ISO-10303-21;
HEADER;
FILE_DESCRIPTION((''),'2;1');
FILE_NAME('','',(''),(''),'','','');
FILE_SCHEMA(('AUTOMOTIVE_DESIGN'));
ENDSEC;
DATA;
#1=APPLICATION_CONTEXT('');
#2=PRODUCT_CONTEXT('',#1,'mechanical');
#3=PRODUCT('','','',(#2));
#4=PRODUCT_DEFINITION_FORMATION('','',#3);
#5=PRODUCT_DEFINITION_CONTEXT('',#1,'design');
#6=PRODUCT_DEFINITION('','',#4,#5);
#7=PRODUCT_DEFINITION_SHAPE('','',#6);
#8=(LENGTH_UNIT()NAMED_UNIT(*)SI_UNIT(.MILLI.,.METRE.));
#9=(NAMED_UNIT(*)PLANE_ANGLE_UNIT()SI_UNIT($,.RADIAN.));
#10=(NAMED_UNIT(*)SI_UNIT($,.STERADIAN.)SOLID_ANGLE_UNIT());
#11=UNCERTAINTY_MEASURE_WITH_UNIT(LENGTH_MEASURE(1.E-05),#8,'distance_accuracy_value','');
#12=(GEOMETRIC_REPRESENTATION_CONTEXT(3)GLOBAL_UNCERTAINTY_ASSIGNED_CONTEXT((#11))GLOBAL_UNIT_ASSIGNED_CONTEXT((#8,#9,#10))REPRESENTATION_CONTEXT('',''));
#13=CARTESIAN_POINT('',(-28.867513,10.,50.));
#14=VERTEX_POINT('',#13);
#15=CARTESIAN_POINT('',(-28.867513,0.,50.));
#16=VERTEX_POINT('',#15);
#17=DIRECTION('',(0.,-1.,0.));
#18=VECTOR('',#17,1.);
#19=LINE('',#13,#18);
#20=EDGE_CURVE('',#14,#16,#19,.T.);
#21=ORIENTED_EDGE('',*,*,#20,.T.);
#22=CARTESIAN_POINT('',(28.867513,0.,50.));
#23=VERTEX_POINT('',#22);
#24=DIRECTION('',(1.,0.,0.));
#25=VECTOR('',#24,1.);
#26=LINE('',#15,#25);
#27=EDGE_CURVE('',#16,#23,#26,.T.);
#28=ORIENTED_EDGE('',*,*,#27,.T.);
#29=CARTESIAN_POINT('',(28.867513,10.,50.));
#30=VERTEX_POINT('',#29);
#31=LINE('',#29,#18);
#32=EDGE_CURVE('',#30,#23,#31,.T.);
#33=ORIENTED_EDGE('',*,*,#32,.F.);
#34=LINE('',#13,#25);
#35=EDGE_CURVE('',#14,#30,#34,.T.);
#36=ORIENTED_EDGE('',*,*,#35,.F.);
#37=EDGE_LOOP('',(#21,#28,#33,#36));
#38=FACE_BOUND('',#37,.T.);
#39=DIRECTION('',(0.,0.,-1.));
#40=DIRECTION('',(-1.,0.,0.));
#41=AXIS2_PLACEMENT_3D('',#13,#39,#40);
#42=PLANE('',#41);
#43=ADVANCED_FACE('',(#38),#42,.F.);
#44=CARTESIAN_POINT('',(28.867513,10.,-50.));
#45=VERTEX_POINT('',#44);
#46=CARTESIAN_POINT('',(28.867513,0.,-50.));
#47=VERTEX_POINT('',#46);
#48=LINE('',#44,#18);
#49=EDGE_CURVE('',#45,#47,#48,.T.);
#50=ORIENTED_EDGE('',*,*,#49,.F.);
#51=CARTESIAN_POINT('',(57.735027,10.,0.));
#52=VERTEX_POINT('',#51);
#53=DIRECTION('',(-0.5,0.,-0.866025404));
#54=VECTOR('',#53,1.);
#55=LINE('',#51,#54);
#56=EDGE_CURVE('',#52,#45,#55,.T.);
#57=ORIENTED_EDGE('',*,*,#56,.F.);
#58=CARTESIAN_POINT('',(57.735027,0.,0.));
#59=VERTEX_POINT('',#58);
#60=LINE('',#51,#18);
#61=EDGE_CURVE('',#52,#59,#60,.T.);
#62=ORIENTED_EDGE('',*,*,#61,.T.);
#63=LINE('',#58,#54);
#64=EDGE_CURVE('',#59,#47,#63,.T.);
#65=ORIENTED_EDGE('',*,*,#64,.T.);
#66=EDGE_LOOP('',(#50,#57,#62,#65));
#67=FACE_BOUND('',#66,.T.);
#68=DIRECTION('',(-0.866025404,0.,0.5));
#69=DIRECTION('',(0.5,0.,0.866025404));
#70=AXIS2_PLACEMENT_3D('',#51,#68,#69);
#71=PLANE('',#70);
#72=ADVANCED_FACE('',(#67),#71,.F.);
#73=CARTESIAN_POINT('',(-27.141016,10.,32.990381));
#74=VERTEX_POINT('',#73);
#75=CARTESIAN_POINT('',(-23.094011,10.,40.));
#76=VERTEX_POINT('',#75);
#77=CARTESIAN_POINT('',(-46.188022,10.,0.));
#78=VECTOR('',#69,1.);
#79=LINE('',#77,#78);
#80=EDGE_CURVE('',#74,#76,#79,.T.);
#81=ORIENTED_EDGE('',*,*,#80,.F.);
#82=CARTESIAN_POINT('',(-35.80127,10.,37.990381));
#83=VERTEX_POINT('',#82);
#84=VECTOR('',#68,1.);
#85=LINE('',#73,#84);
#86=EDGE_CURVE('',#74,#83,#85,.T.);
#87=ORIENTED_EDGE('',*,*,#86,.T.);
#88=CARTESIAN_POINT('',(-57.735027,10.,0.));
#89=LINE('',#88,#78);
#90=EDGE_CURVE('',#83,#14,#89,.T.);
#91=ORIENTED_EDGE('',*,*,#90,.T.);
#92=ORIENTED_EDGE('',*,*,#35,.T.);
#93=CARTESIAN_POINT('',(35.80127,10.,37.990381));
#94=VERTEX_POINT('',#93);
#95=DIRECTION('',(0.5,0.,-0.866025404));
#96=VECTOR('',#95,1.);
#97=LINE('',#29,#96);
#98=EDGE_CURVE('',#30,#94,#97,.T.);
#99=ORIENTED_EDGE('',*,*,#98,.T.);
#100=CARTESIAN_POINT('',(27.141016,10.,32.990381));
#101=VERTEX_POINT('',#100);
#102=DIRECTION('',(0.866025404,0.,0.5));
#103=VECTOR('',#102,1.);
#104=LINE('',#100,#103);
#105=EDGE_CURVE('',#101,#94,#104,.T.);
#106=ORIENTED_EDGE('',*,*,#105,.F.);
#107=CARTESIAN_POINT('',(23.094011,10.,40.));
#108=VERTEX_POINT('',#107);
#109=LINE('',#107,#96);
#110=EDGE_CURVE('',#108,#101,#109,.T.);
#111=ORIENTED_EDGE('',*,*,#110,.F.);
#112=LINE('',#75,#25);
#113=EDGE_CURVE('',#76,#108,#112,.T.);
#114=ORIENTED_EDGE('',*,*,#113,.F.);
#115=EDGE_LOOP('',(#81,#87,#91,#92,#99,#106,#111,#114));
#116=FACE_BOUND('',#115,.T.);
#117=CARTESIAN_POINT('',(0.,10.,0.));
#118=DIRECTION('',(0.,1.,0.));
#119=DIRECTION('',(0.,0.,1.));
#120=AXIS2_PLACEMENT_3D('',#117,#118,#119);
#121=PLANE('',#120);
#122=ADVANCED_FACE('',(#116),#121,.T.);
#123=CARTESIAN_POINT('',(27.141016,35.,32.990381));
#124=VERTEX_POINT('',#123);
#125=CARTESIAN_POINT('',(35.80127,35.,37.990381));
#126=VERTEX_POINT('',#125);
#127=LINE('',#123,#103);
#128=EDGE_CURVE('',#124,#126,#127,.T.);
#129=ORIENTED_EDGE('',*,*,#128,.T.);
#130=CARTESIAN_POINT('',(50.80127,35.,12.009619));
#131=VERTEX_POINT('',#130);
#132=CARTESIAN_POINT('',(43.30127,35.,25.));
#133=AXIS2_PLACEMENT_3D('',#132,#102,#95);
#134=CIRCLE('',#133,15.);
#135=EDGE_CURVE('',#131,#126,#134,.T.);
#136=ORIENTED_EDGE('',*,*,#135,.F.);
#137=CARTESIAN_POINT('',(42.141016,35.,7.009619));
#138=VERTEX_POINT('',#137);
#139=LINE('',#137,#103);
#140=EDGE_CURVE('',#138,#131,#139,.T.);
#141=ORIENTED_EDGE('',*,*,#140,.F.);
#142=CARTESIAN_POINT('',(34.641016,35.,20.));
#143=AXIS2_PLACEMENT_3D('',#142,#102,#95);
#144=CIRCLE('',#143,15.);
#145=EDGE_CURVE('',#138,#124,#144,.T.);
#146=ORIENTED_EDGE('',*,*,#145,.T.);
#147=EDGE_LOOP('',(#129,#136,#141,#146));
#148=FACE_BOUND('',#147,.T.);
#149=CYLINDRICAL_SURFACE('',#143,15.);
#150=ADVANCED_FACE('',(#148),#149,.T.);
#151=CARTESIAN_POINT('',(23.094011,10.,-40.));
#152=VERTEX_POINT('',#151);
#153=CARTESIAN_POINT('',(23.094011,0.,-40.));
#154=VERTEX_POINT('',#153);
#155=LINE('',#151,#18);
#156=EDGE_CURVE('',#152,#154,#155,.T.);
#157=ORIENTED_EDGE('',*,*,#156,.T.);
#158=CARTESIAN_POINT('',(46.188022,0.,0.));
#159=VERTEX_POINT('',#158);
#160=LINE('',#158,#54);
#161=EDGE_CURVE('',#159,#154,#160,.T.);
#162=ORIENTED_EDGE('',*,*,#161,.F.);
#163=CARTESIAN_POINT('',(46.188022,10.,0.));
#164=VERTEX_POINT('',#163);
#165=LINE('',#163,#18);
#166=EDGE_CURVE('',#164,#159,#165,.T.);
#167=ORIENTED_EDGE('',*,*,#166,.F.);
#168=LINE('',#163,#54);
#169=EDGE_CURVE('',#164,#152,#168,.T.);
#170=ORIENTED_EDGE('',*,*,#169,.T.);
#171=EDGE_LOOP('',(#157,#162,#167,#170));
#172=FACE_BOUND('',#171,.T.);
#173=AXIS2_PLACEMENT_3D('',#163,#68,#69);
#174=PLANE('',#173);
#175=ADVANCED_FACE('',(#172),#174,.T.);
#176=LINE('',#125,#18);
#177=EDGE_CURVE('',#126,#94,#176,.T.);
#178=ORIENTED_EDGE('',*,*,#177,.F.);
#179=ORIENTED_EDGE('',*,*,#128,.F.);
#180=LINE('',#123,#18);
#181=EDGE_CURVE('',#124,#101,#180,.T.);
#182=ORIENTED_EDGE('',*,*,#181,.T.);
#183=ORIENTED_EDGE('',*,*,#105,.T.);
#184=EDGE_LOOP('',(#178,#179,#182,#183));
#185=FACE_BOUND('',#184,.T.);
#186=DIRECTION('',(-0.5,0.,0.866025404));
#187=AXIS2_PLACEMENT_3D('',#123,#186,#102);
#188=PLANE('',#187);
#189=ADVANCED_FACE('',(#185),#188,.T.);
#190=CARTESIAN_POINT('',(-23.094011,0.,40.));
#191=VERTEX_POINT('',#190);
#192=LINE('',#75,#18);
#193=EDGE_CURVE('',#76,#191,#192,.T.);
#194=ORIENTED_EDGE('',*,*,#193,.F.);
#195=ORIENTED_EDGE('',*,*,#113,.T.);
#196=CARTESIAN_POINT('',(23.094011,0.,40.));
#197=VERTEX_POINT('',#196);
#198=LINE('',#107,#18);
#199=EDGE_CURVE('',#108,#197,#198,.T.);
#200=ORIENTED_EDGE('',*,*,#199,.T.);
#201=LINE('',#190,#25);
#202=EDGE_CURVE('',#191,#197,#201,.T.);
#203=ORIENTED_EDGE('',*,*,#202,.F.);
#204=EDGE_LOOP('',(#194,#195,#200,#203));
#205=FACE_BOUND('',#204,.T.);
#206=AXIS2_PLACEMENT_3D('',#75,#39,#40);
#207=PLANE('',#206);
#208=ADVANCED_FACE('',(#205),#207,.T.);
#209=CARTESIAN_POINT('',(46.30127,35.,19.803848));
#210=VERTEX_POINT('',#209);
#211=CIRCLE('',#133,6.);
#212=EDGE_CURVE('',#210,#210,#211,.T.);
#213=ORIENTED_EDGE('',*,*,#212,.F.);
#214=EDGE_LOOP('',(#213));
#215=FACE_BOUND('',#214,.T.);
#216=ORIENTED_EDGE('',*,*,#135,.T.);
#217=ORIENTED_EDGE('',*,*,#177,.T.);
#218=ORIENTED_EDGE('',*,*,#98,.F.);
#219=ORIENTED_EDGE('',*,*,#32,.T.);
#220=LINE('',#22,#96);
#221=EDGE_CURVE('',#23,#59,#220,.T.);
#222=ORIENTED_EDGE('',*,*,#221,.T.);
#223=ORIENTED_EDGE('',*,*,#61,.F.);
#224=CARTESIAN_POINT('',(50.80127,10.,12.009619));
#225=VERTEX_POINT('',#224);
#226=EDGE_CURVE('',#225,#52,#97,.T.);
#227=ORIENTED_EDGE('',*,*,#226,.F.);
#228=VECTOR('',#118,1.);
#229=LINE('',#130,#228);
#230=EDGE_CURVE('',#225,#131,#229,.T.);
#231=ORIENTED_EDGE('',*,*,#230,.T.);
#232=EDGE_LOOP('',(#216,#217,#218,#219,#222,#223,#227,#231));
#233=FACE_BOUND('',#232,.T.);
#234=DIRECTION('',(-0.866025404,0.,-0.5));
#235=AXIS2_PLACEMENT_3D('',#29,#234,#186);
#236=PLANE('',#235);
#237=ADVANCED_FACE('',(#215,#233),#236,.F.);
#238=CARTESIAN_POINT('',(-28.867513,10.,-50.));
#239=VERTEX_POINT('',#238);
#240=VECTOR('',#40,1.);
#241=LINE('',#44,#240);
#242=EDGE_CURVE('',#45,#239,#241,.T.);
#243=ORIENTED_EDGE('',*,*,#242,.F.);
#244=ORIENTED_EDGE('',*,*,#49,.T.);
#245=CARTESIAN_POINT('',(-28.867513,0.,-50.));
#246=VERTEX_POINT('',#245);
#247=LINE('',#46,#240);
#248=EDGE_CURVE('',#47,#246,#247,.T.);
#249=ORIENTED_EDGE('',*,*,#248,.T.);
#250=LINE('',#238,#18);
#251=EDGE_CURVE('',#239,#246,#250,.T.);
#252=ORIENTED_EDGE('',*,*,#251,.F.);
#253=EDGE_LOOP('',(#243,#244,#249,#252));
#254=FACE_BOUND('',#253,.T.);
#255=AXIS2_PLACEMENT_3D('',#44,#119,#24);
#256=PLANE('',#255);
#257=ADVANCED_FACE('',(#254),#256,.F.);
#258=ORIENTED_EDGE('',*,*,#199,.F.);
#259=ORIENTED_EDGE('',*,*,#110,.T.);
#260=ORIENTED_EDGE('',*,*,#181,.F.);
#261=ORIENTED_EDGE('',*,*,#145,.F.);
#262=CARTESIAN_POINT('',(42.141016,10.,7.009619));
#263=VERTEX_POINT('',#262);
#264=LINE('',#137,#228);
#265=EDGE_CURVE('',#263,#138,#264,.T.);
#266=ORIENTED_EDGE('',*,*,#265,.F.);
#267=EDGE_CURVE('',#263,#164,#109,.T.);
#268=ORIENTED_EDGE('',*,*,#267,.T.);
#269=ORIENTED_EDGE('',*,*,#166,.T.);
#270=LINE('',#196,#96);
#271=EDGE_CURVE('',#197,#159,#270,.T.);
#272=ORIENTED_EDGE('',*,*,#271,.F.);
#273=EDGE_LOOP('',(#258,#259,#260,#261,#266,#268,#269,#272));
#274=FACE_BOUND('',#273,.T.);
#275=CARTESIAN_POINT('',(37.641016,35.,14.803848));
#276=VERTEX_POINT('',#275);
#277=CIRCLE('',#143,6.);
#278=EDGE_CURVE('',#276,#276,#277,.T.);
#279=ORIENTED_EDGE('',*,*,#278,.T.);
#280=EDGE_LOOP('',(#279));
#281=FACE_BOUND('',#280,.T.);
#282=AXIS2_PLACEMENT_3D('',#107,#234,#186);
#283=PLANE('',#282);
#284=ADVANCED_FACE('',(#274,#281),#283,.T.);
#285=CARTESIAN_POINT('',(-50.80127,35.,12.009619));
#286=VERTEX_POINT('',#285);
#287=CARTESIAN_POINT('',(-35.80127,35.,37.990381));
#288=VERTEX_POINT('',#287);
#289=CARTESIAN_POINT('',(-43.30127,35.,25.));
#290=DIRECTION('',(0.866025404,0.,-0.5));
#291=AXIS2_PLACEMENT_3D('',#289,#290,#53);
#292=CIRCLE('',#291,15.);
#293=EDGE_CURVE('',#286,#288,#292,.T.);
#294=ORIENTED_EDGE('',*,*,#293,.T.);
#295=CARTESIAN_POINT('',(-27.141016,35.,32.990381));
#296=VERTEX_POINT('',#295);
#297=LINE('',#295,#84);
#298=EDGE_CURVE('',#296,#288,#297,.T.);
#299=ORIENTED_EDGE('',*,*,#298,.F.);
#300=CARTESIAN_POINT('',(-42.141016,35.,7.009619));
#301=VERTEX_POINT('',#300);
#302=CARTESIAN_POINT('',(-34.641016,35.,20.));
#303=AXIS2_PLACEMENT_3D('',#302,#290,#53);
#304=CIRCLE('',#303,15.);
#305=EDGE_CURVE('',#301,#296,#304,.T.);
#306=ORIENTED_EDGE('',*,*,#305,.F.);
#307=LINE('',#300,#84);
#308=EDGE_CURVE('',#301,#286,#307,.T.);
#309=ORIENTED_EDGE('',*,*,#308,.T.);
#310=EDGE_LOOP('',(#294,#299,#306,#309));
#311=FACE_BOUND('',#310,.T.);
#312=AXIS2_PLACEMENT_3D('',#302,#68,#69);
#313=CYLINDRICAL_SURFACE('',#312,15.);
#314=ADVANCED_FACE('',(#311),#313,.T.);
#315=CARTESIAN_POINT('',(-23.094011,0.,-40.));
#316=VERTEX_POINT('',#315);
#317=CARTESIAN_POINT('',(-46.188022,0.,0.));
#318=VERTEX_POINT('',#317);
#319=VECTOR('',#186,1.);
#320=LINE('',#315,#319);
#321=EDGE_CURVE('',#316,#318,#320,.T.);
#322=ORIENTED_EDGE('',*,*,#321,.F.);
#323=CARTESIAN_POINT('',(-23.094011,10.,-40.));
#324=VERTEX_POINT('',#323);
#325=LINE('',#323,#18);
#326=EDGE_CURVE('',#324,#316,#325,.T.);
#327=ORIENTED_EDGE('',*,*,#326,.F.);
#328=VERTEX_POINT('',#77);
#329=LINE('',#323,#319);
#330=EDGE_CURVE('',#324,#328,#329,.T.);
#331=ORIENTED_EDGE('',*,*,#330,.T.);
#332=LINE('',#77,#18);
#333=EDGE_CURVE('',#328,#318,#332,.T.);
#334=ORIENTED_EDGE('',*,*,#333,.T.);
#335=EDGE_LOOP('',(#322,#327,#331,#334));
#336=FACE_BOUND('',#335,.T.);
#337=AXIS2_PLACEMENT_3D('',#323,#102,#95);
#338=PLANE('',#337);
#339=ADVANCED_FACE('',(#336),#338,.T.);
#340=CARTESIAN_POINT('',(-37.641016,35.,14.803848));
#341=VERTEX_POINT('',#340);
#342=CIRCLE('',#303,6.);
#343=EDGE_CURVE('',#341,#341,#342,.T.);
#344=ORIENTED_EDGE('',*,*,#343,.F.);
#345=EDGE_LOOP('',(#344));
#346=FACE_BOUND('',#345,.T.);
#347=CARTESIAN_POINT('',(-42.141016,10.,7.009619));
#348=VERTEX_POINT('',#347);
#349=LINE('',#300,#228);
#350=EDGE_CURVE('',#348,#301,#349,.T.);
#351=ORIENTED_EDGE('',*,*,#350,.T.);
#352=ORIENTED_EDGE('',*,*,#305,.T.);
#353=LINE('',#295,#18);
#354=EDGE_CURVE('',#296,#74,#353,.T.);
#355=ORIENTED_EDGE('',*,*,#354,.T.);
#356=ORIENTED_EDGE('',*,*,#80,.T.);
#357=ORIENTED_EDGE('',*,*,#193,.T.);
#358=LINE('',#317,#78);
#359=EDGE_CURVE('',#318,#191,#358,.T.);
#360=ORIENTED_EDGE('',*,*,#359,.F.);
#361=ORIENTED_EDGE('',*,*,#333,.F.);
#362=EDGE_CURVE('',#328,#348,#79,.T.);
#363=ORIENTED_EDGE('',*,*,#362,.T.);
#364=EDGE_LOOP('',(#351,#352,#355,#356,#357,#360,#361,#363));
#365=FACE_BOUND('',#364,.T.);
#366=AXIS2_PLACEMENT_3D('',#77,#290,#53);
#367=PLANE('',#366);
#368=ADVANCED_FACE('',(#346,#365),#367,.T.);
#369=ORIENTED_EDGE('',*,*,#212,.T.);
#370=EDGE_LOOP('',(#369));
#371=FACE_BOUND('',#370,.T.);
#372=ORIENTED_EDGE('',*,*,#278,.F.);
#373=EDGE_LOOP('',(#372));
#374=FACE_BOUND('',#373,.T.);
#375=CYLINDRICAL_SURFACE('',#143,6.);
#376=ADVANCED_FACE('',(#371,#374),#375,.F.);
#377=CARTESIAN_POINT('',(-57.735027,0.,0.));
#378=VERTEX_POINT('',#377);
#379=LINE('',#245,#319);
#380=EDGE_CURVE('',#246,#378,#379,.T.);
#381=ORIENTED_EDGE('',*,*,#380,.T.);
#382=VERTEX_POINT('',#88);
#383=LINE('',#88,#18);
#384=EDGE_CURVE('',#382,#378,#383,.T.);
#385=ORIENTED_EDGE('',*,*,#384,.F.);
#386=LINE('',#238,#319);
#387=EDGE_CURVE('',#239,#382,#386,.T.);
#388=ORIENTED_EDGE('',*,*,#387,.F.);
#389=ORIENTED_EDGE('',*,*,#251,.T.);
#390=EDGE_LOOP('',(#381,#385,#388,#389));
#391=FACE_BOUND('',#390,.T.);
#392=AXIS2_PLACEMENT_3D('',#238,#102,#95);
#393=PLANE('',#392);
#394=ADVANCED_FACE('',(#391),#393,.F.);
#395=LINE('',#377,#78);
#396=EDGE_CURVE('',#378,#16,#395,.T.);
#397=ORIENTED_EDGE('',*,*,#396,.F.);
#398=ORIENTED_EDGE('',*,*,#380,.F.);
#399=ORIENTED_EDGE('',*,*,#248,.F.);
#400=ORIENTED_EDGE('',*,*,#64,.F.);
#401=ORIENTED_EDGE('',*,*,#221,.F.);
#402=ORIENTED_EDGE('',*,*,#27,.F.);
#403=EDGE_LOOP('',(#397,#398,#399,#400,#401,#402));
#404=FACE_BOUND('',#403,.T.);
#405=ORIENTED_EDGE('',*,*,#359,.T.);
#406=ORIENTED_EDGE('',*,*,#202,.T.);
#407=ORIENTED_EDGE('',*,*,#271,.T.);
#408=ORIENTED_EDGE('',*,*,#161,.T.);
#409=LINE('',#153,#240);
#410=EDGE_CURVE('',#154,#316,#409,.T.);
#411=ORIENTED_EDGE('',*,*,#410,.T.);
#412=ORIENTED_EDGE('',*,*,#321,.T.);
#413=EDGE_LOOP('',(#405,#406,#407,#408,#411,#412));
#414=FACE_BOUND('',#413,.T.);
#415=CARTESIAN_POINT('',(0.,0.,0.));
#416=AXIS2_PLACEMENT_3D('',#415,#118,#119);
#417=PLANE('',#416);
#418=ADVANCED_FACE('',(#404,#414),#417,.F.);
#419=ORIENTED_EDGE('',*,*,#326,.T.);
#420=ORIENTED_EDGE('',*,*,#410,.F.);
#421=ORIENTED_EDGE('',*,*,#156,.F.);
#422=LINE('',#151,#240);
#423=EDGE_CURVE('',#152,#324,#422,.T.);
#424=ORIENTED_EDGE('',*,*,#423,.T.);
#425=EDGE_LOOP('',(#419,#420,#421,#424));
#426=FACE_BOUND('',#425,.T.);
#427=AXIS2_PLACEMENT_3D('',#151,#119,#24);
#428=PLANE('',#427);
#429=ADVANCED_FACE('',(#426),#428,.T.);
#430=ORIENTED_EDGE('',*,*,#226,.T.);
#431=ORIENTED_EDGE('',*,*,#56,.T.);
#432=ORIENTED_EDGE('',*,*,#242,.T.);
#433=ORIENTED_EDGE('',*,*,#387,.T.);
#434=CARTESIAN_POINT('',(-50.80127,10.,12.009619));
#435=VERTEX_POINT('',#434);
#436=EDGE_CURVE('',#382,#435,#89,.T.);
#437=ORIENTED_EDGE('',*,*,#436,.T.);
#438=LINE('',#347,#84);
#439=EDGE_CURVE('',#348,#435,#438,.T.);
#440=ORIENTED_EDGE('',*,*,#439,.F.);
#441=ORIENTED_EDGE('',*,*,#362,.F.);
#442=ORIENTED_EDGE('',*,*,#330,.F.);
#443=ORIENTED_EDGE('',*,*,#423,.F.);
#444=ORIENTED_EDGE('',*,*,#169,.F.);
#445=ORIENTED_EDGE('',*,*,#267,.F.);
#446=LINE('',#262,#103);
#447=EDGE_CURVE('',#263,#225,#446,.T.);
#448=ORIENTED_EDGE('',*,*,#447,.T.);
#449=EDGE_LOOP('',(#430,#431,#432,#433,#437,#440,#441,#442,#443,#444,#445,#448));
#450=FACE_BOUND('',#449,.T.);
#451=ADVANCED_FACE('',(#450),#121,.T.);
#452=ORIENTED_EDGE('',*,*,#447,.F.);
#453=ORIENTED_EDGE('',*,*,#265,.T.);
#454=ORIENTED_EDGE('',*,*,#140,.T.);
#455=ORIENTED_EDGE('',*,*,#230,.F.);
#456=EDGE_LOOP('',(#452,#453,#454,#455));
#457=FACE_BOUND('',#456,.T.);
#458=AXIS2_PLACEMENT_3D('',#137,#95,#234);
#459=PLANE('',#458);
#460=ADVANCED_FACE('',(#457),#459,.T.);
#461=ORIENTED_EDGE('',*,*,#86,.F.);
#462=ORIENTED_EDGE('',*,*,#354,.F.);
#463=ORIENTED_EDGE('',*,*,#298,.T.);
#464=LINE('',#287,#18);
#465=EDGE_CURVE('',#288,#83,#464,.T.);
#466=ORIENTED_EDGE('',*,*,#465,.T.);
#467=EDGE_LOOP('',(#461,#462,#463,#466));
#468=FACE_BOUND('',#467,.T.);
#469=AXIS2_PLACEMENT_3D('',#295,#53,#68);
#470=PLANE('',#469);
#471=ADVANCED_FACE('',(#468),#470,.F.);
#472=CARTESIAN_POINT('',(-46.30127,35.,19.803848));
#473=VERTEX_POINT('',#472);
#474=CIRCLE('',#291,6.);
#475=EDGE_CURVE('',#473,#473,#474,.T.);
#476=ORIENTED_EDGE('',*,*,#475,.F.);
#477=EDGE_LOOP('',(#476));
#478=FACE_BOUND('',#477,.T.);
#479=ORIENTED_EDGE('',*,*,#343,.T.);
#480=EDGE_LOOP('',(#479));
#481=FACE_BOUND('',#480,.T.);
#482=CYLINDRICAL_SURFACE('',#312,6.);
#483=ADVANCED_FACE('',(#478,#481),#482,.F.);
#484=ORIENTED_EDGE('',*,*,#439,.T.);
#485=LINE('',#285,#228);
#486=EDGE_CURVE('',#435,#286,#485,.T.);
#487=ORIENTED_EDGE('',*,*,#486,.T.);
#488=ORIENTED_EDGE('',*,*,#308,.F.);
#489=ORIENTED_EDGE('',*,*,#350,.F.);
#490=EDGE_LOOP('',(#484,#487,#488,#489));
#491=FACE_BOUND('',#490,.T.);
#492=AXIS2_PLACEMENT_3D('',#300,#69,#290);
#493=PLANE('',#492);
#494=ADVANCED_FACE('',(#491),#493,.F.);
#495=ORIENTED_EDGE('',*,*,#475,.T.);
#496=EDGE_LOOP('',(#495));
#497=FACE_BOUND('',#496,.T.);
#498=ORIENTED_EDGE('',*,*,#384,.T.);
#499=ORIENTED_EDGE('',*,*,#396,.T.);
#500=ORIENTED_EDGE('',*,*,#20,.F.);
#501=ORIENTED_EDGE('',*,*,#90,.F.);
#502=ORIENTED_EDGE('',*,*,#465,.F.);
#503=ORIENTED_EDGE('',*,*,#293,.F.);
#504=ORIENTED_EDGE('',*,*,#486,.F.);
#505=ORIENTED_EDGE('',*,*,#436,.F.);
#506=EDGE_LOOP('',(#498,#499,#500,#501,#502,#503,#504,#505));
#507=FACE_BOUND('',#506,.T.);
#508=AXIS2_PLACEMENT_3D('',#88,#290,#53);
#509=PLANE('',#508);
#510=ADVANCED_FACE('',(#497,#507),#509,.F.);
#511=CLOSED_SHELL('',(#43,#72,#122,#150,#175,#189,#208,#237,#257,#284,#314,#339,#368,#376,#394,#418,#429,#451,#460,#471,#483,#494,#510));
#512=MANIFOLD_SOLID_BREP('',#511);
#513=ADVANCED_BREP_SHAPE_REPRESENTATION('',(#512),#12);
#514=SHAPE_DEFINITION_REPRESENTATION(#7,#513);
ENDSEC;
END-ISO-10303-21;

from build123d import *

# Parameters (mm, degrees)
BOSS_EXTRUDE1_DEPTH = 10
SKETCH2_R           = 6
BOSS_EXTRUDE2_DEPTH = 10


with BuildPart() as part:
    # Sketch1 → Boss-Extrude1 (new body)
    with BuildSketch(Plane(origin=(0, 0, 0), x_dir=(1, 0, 0), z_dir=(0, 1, 0))):
        Polygon((57.735026919, 0), (28.867513459, 50), (-28.867513459, 50), (-57.735026919, 0), (-28.867513459, -50), (28.867513459, -50), align=None)
        Polygon((23.094010768, 40), (-23.094010768, 40), (-46.188021535, 0), (-23.094010768, -40), (23.094010768, -40), (46.188021535, 0), align=None, mode=Mode.SUBTRACT)
    extrude(amount=BOSS_EXTRUDE1_DEPTH)

    # Sketch2 → Boss-Extrude2 (add)
    with BuildSketch(Plane(origin=(43.301270189, 0, 25), x_dir=(0.4999999999999951, 0, -0.8660254037844415), z_dir=(0.8660254037844416, 0, 0.49999999999999517))):
        with BuildLine():
            Line((-15, 35), (-15, 10))
            Line((-15, 10), (15, 10))
            Line((15, 10), (15, 35))
            ThreePointArc((15, 35), (0, 50), (-15, 35))
        make_face()
        with Locations((0, 35)):
            Circle(SKETCH2_R, mode=Mode.SUBTRACT)
    boss_extrude2 = extrude(amount=-BOSS_EXTRUDE2_DEPTH)

    # Mirror7: Boss-Extrude2 across plane
    add(boss_extrude2.mirror(Plane(origin=(0, 0, 0), x_dir=(0, 0, 1), z_dir=(1, 0, 0))))


solid = part.part
